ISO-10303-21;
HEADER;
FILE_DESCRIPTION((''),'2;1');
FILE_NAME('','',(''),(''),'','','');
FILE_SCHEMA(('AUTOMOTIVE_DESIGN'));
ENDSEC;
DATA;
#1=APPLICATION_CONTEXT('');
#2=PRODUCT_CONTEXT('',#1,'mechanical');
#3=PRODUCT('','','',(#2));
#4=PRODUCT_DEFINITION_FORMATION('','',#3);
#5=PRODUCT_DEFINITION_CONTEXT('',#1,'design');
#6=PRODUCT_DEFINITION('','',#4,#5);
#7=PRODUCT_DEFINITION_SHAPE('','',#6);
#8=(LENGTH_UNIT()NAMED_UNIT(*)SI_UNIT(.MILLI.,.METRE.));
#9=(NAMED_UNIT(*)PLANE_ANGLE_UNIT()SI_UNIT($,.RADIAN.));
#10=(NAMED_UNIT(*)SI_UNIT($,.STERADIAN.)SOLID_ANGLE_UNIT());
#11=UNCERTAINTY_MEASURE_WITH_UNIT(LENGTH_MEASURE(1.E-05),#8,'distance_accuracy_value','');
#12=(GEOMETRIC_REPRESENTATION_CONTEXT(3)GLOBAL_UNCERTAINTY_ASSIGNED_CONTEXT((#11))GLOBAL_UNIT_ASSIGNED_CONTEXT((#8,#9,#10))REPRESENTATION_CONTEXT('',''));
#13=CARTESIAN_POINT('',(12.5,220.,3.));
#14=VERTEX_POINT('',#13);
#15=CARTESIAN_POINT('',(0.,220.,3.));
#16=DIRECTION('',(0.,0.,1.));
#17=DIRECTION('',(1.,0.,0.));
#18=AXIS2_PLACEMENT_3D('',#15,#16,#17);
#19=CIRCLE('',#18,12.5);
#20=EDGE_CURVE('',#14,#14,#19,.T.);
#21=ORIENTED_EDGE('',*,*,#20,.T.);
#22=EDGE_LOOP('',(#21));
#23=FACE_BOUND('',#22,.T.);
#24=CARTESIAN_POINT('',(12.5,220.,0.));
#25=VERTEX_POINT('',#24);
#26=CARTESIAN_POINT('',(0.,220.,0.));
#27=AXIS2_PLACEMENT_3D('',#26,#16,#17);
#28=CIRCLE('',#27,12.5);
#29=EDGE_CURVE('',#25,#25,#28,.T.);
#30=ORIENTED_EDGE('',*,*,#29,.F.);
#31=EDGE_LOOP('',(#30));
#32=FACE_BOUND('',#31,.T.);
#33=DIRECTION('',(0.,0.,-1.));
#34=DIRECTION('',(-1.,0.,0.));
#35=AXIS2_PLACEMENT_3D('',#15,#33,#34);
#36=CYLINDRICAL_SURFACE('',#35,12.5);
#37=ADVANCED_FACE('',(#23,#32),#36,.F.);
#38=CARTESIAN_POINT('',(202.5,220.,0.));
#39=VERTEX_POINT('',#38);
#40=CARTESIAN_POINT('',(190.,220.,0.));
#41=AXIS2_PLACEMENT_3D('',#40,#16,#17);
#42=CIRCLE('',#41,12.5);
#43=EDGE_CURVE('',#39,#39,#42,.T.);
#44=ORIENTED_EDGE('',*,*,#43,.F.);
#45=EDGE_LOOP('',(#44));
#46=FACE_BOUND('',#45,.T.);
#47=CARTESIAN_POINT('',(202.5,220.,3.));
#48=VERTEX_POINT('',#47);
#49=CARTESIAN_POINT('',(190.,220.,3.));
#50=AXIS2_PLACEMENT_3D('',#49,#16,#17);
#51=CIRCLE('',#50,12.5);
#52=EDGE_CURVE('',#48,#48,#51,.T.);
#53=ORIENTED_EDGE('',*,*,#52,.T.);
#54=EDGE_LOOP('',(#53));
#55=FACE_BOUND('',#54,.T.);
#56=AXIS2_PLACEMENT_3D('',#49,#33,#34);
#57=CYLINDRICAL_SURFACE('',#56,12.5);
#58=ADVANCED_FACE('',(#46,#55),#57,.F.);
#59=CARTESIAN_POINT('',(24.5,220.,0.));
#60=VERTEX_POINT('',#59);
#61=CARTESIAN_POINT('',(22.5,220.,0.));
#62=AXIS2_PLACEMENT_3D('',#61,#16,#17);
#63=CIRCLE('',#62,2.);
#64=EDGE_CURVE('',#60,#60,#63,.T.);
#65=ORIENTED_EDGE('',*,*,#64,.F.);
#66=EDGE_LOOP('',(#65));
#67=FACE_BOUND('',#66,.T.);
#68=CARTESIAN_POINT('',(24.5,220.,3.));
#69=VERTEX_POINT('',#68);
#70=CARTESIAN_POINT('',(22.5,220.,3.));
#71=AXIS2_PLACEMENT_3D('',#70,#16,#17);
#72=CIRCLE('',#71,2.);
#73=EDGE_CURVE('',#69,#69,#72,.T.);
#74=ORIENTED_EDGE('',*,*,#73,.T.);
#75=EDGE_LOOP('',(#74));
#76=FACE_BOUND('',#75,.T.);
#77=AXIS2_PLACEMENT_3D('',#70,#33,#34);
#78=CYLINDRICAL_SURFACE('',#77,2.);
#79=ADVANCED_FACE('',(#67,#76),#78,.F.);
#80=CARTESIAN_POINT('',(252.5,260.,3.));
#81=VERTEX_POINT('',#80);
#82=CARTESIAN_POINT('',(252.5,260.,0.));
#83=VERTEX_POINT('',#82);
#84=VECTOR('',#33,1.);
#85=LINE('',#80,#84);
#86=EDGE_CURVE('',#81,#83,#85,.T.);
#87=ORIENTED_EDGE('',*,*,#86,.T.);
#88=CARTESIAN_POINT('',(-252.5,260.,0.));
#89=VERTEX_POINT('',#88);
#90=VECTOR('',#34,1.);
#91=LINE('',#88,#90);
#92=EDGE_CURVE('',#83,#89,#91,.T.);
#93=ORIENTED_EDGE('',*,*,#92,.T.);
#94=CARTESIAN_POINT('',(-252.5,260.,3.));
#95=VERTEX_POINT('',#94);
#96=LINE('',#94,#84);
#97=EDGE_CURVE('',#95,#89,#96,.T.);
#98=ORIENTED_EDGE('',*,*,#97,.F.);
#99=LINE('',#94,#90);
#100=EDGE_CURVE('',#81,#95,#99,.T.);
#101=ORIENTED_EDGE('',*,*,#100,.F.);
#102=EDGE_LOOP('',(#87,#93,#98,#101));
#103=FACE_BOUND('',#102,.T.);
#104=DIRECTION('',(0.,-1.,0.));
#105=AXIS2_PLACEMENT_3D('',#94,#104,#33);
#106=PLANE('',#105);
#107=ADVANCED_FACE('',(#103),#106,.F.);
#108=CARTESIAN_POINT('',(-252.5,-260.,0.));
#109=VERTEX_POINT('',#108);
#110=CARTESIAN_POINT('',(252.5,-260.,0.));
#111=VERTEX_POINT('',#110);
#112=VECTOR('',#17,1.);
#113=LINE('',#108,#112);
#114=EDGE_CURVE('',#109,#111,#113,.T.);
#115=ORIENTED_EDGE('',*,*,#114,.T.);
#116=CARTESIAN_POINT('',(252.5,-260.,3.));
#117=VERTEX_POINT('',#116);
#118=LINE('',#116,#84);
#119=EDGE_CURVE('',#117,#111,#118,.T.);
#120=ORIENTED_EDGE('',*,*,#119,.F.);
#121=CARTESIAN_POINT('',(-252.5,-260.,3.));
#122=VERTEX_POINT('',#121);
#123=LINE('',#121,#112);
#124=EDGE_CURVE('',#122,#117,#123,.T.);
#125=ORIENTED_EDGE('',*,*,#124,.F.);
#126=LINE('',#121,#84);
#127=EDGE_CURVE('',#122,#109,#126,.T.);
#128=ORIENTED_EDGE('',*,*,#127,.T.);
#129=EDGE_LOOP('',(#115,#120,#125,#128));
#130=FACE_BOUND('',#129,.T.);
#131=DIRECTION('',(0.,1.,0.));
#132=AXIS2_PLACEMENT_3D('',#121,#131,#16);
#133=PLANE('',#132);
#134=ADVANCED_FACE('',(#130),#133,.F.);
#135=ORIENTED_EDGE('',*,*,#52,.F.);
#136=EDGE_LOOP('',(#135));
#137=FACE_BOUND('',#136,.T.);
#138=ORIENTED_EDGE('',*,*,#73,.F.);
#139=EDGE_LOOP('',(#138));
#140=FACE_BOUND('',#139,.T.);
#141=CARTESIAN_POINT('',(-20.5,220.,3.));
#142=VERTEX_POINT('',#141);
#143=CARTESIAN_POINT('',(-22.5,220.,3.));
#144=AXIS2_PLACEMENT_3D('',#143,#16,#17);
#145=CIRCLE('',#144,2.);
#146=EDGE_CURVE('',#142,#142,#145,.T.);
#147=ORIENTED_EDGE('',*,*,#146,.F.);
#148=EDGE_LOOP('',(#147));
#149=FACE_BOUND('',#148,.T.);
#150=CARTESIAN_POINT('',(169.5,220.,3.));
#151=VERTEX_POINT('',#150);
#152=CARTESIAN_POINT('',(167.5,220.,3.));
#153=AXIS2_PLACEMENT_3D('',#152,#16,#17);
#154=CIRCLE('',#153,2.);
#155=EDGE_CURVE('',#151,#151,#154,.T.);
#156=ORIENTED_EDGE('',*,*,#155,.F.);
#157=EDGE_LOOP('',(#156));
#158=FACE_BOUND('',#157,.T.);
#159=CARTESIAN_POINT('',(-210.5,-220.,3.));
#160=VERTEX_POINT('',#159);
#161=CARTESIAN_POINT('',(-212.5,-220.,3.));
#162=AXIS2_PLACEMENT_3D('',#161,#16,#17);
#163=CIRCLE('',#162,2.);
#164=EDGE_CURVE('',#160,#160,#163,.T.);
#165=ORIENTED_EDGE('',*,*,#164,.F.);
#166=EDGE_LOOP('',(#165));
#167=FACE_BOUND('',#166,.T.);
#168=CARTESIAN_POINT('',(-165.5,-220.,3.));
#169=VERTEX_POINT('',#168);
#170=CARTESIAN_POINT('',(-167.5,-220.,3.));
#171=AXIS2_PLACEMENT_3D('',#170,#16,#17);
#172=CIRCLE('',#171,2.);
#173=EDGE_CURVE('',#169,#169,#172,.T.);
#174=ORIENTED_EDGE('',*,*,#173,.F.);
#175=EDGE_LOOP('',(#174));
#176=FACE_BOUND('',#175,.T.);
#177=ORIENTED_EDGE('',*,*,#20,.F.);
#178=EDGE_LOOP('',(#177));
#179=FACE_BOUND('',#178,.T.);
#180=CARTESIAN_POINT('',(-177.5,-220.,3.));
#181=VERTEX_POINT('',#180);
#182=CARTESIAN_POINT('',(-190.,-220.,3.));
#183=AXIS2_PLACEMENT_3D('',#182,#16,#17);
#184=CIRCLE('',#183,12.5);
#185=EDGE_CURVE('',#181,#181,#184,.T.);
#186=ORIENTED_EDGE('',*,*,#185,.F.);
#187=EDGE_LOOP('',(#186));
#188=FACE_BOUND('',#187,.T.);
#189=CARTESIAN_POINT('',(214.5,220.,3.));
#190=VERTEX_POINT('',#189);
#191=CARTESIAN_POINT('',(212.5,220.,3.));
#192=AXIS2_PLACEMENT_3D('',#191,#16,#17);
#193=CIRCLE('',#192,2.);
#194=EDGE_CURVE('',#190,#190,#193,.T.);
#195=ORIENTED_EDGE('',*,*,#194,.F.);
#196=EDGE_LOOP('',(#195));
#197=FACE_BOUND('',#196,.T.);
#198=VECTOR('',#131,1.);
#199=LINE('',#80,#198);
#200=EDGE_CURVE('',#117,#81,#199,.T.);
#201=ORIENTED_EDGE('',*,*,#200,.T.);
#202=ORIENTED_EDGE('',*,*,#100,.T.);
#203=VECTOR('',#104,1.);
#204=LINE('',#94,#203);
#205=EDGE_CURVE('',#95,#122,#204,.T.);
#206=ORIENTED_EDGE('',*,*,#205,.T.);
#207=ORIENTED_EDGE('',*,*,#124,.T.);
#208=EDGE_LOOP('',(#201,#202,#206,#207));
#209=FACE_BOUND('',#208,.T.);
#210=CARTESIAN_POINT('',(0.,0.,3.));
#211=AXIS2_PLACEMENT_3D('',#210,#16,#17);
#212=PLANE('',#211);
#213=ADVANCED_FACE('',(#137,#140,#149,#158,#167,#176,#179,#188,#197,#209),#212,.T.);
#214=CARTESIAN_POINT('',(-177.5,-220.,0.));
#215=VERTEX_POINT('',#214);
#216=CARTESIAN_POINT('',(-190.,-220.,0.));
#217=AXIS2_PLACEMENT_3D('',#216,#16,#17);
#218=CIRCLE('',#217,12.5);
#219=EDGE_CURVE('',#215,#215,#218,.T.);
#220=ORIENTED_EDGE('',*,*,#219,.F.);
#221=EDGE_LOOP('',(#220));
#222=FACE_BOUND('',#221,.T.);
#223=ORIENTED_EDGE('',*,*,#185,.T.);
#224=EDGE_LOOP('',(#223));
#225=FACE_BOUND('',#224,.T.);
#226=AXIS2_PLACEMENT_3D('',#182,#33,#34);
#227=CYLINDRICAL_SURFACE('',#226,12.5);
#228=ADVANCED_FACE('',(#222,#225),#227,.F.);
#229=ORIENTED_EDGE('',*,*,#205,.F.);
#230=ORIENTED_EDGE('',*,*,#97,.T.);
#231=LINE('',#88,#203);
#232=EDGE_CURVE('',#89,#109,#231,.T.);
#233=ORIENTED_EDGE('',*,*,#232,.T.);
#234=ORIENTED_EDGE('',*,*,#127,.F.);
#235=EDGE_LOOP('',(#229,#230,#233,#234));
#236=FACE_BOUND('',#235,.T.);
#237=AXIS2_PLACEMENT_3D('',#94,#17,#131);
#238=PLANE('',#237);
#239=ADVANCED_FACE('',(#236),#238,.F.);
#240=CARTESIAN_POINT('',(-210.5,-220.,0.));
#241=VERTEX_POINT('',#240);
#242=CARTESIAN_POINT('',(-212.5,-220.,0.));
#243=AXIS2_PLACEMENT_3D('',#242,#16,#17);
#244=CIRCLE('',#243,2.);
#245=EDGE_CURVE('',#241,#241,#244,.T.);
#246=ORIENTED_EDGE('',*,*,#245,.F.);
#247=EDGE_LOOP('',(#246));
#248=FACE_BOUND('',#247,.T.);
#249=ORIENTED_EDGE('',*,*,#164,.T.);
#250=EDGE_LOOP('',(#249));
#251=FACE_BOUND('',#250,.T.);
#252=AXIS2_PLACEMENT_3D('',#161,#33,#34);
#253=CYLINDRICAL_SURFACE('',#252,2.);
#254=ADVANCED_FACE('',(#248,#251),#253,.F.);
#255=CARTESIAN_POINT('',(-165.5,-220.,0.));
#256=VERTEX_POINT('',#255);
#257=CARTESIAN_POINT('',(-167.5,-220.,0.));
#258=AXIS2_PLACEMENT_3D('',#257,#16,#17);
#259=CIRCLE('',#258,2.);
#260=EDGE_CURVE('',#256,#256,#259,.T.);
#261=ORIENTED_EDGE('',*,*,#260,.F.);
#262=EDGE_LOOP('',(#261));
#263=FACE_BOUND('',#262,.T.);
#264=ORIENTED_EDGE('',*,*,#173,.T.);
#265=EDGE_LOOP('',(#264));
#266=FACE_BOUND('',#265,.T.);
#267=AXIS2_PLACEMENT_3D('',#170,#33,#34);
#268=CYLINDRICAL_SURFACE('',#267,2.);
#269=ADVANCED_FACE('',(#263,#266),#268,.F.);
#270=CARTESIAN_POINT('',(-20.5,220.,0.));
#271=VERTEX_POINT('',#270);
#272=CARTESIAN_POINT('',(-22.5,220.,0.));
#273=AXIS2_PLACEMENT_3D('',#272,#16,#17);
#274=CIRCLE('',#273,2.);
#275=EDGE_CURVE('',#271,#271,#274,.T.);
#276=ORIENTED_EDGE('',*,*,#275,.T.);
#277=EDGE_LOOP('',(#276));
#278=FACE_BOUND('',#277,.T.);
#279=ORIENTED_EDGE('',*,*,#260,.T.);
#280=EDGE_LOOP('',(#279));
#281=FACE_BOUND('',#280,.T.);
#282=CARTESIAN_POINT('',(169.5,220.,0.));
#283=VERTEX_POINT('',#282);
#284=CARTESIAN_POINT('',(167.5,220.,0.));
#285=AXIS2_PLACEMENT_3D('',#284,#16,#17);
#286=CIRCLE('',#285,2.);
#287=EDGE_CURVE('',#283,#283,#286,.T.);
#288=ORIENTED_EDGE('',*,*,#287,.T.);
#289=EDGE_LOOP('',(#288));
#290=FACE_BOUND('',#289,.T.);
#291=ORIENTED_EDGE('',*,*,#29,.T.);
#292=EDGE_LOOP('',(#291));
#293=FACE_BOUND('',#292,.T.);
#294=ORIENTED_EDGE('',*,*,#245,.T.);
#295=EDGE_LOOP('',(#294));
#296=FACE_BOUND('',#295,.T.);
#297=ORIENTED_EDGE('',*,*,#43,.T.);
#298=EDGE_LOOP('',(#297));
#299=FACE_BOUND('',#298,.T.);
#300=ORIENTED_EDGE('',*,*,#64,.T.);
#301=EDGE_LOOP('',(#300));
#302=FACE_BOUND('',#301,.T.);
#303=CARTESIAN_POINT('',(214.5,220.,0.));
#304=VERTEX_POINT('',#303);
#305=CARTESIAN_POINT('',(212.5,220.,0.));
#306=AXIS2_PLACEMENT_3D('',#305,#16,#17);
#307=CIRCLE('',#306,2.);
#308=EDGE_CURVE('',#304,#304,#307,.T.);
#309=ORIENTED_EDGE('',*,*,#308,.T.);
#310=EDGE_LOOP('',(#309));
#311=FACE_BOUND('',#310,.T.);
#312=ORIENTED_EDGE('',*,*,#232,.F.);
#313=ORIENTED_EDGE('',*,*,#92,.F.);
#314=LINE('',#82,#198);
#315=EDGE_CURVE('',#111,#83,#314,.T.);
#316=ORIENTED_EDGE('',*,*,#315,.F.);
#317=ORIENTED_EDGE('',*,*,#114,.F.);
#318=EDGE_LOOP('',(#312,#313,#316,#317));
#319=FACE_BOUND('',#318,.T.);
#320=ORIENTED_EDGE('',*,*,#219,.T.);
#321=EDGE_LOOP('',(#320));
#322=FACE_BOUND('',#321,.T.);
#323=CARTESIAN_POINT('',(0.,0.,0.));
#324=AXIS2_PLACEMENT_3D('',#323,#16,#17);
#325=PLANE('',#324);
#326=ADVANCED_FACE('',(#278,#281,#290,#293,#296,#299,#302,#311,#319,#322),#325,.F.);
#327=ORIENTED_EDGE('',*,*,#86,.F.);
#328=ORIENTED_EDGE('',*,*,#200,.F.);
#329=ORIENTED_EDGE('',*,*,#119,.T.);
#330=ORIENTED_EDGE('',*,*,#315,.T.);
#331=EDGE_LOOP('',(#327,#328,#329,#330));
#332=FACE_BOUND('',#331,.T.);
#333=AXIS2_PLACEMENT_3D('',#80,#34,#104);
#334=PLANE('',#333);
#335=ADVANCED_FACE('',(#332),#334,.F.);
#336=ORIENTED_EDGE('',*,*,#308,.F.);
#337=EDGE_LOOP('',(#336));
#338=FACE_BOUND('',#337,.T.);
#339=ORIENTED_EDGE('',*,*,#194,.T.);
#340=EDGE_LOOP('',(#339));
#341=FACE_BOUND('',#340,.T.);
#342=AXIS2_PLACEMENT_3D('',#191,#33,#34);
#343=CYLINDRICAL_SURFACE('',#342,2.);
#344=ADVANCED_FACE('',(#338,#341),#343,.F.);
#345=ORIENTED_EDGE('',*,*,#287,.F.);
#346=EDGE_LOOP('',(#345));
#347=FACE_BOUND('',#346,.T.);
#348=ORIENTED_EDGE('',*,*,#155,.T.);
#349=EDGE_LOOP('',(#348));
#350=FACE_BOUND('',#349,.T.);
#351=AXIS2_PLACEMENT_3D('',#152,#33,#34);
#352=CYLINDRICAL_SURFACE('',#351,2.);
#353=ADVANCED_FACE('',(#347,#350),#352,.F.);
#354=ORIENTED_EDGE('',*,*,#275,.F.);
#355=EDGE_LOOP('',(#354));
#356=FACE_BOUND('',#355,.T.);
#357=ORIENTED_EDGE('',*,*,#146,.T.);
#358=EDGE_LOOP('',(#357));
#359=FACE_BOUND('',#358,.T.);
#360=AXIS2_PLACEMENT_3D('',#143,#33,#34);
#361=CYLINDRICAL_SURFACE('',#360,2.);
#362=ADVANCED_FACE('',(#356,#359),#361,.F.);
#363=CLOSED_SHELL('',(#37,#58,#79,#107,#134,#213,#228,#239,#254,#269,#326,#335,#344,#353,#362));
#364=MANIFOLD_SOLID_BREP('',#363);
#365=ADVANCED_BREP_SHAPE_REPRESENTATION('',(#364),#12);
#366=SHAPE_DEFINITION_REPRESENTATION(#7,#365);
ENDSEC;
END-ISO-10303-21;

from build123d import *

# Parameters (mm, degrees)
SKICA1_W                = 505
SKICA1_H                = 520
SKICA1_R                = 2
SKICA1_R_2              = 12.5
P_IDAT_VYSUNUT_M1_DEPTH = 3


with BuildPart() as part:
    # Skica1 → Přidat vysunutím1 (new body)
    with BuildSketch(Plane.XY):
        Rectangle(SKICA1_W, SKICA1_H)
        with Locations((-212.5, -220)):
            Circle(SKICA1_R, mode=Mode.SUBTRACT)
        with Locations((-190, -220)):
            Circle(SKICA1_R_2, mode=Mode.SUBTRACT)
        with Locations((-167.5, -220)):
            Circle(SKICA1_R, mode=Mode.SUBTRACT)
        with Locations((-22.5, 220)):
            Circle(SKICA1_R, mode=Mode.SUBTRACT)
        with Locations((0, 220)):
            Circle(SKICA1_R_2, mode=Mode.SUBTRACT)
        with Locations((22.5, 220)):
            Circle(SKICA1_R, mode=Mode.SUBTRACT)
        with Locations((167.5, 220)):
            Circle(SKICA1_R, mode=Mode.SUBTRACT)
        with Locations((190, 220)):
            Circle(SKICA1_R_2, mode=Mode.SUBTRACT)
        with Locations((212.5, 220)):
            Circle(SKICA1_R, mode=Mode.SUBTRACT)
    extrude(amount=P_IDAT_VYSUNUT_M1_DEPTH)


solid = part.part
